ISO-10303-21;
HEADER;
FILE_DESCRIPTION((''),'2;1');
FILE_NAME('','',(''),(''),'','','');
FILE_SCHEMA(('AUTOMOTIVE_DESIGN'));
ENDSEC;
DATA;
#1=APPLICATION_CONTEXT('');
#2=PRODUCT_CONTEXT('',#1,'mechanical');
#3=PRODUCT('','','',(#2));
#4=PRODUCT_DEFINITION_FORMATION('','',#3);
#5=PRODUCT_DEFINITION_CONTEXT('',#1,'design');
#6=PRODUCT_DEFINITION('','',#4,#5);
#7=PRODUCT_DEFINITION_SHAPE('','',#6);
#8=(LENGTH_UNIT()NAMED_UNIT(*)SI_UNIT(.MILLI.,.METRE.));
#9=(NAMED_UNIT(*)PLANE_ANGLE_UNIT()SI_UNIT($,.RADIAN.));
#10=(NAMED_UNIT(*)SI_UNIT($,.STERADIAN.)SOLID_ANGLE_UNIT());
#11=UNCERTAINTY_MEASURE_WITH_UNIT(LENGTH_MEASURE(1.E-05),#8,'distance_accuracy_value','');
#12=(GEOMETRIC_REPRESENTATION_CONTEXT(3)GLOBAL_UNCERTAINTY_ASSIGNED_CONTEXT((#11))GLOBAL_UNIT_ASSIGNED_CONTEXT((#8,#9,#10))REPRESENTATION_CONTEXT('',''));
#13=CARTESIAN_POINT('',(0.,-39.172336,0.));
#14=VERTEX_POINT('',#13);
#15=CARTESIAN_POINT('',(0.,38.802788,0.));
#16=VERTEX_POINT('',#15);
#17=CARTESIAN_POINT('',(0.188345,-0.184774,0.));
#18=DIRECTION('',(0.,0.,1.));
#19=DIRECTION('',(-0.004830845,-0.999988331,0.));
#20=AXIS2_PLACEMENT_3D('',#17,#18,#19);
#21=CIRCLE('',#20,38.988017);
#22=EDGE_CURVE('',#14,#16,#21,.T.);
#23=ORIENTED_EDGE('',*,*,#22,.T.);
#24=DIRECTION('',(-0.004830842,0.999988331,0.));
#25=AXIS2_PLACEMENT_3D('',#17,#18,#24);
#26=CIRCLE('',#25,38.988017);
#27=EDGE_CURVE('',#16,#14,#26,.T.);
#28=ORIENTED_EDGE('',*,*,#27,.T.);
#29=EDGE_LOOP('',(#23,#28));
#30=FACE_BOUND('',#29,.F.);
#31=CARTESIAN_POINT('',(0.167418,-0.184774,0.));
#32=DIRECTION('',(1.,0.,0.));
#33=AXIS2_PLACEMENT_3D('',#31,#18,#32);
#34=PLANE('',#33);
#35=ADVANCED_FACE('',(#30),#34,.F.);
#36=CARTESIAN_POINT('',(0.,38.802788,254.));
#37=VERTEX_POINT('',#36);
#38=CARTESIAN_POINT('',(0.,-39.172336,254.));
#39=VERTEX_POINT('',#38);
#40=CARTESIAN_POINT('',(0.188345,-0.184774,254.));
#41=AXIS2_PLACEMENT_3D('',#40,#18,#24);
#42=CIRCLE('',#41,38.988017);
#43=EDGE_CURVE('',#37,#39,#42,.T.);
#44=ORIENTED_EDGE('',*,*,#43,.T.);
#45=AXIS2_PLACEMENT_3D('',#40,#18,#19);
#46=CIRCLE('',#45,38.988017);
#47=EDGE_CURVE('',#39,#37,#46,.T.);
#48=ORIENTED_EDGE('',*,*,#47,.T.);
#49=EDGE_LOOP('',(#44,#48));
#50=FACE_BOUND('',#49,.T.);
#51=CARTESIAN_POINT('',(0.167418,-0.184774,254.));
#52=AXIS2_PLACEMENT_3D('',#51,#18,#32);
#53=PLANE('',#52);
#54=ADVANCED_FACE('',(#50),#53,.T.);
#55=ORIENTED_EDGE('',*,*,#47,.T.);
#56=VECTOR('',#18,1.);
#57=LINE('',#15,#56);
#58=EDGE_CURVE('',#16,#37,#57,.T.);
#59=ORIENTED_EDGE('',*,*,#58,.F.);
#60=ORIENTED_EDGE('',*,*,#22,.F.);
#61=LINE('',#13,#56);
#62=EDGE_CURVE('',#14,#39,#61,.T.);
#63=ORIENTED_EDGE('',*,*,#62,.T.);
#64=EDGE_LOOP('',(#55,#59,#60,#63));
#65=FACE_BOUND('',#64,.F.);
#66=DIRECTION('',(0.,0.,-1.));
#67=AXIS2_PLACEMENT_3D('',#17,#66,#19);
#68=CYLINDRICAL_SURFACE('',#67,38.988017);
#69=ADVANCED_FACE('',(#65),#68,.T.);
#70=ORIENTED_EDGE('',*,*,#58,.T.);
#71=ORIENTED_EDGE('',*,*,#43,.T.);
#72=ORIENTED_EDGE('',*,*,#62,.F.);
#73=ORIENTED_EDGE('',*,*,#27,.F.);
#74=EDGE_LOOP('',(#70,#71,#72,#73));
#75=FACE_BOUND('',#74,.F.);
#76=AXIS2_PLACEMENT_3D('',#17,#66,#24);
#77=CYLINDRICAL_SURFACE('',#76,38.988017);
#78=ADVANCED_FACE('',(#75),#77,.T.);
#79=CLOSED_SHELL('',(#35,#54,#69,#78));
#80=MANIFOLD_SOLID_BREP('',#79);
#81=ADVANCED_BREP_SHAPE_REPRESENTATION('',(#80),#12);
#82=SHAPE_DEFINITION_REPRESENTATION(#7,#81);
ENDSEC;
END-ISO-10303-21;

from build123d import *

# Parameters (mm, degrees)
F1_DEPTH = 254


with BuildPart() as f1:
    # F0 (on Top) → F1 (new body)
    with BuildSketch(Plane.XY):
        with BuildLine():
            ThreePointArc((0, 38.802788), (-38.799672, -0.184774), (0, -39.172336))
            ThreePointArc((0, -39.172336), (39.176362, -0.184774), (0, 38.802788))
        make_face()
    extrude(amount=F1_DEPTH)


solid = f1.part
